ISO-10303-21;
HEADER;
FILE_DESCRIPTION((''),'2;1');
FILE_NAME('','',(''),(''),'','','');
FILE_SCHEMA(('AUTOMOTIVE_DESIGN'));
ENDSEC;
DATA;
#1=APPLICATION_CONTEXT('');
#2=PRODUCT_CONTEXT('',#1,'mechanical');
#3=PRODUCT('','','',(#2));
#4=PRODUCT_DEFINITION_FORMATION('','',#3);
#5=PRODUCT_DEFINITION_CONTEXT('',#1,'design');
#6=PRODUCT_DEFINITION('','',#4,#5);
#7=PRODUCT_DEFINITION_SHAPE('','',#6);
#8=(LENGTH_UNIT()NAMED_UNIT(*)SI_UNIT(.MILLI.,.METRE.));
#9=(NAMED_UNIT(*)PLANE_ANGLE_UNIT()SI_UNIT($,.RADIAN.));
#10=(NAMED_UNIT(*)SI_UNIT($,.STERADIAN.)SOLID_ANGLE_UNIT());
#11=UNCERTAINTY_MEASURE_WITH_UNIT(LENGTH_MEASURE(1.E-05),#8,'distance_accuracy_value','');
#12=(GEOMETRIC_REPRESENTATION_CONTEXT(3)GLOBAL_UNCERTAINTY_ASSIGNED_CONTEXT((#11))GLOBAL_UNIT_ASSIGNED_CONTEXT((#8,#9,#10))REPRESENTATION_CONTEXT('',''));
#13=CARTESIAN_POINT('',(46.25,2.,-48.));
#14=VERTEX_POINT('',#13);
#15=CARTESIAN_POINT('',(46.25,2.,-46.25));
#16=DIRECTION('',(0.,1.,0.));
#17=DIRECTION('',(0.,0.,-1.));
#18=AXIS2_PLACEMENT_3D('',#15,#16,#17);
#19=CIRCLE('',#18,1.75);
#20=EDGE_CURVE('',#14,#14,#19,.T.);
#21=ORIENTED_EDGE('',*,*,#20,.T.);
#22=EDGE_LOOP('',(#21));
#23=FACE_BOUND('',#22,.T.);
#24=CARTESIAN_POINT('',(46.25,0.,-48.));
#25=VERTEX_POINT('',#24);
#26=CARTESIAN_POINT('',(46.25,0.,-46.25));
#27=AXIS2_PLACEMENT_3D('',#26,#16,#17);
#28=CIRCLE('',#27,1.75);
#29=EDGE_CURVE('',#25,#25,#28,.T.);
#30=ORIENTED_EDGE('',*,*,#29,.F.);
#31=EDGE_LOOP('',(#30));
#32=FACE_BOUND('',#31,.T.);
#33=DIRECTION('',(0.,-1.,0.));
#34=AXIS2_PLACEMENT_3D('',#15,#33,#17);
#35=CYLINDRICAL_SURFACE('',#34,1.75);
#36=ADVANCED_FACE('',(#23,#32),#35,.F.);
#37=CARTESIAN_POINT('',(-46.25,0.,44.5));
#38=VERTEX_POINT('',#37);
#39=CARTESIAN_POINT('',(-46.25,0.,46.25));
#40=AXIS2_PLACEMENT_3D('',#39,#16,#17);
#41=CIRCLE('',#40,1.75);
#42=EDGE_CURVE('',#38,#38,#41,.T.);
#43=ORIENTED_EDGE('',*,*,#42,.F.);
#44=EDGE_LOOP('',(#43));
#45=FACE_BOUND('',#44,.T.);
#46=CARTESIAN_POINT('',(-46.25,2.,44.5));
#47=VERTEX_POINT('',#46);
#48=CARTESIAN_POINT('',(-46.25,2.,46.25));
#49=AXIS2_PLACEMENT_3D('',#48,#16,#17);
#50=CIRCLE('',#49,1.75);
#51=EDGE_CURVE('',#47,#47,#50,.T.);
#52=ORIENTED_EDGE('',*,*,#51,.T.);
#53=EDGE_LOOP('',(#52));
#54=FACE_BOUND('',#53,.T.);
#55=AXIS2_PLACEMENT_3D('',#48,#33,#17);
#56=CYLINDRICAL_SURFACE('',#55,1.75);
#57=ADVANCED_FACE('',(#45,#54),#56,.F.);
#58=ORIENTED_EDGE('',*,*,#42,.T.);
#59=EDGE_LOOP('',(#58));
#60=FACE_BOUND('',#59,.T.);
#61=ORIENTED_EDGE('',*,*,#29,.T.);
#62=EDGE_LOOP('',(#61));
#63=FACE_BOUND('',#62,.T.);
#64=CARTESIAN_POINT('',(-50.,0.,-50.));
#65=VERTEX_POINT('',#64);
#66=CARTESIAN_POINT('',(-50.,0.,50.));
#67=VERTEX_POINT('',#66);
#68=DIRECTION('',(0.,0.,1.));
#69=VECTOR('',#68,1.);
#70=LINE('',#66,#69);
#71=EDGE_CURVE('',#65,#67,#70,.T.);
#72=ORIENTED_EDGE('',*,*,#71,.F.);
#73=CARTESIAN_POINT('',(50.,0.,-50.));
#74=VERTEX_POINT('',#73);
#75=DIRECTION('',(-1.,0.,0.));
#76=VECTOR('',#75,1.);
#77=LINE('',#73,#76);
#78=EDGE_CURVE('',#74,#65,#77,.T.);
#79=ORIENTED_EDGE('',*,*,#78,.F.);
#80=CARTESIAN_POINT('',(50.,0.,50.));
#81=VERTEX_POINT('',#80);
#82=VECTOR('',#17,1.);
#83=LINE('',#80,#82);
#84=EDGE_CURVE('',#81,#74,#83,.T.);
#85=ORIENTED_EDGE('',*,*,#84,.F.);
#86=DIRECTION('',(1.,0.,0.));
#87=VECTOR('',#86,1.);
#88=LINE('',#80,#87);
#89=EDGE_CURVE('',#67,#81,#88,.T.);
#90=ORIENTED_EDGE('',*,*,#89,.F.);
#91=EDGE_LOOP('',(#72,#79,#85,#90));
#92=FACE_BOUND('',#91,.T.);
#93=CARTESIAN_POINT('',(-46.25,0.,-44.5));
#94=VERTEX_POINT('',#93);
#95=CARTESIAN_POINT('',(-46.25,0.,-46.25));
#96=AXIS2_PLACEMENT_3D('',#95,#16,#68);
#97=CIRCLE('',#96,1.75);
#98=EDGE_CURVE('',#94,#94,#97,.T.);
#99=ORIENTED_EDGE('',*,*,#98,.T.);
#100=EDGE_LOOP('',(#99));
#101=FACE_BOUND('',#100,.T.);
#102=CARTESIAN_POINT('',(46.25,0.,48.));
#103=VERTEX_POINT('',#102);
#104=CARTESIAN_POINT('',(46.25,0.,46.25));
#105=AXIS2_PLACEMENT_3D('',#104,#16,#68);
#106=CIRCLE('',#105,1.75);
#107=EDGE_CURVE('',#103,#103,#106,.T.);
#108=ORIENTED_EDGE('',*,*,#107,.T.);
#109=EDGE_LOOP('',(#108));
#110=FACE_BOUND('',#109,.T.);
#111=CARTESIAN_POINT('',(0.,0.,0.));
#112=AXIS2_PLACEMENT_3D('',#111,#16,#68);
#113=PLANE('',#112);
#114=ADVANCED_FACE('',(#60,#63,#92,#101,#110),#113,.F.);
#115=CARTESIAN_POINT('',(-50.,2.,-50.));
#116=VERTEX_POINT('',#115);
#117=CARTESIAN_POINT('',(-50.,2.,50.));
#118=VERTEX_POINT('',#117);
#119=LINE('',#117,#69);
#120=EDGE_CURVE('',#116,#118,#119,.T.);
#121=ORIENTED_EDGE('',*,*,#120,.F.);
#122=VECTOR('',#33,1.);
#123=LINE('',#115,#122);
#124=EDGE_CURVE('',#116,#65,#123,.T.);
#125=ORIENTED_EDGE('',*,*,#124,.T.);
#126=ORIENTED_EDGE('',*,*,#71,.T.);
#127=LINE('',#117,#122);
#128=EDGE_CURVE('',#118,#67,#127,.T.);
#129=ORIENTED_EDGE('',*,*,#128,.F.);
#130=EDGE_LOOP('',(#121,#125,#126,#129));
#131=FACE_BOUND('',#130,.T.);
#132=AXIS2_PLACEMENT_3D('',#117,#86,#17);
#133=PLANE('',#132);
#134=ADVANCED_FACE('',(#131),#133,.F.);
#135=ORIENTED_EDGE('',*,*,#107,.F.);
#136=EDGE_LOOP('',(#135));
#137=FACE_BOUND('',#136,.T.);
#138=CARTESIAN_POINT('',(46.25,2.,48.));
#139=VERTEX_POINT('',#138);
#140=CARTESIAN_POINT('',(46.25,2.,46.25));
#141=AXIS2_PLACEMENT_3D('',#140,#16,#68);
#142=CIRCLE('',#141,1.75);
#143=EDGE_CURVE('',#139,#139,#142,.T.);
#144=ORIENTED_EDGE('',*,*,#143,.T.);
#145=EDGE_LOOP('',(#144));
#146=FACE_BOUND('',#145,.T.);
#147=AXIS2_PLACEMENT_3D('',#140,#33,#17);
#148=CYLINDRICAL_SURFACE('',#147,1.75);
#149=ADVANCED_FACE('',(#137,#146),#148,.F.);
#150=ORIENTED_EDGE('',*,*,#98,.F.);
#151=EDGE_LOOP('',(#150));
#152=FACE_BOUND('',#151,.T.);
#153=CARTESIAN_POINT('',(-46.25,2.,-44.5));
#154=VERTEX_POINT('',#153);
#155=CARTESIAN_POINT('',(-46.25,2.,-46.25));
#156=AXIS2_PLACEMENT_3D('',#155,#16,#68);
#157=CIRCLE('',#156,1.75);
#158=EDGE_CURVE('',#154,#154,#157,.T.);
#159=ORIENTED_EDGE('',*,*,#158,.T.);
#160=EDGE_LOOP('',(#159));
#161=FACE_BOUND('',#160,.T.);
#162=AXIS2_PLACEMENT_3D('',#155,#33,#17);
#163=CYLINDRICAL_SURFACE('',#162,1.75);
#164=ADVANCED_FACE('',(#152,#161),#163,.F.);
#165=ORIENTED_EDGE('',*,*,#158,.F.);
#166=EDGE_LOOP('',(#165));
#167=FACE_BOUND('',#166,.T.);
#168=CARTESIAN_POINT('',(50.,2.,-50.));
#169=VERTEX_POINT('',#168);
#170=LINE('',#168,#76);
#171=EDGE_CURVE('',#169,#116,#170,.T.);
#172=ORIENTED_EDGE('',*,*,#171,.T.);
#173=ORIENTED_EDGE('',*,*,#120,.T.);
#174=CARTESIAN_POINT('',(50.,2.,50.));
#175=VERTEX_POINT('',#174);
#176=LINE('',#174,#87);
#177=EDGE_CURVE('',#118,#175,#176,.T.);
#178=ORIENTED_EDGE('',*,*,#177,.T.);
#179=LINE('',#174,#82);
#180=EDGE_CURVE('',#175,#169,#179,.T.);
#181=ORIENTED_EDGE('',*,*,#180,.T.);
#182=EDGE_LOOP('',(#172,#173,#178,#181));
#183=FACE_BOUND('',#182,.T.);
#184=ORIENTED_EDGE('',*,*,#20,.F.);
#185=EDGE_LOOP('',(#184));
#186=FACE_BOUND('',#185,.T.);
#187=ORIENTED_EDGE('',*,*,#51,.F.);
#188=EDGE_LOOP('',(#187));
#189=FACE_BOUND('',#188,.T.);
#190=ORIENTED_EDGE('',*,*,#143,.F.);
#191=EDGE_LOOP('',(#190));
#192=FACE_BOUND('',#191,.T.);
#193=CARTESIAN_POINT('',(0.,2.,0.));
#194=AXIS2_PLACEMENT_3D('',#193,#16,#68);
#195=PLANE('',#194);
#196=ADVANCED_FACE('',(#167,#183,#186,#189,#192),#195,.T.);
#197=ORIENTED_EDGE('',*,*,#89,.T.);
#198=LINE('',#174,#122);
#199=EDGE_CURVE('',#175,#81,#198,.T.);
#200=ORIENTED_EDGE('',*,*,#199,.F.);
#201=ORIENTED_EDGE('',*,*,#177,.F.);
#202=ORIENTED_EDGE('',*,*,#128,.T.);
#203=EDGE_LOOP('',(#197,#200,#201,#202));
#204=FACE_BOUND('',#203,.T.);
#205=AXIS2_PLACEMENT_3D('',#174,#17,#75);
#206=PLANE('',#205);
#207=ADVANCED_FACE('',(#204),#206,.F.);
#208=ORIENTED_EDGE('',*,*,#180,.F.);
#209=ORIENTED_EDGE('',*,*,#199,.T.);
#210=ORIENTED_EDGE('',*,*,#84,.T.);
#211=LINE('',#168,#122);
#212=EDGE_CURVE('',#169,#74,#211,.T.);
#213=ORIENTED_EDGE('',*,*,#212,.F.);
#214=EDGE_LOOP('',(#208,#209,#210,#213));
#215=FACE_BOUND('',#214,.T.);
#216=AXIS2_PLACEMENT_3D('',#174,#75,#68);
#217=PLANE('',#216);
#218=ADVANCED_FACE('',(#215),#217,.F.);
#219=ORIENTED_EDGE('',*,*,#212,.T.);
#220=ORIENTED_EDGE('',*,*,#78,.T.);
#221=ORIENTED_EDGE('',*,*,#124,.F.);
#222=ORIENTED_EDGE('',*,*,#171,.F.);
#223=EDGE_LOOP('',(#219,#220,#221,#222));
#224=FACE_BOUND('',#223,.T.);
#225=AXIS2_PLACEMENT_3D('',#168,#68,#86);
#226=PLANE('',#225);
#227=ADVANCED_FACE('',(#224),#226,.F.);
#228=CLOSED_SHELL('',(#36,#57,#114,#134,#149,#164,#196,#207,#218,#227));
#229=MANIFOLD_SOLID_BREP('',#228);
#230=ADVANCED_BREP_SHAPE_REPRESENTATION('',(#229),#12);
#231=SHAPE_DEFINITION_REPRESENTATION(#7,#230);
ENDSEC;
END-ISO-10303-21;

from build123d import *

# Parameters (mm, degrees)
SKETCH_2_W      = 100
SKETCH_2_H      = 100
SKETCH_2_R      = 1.75
EXTRUDE_1_DEPTH = 2


with BuildPart() as part:
    # 스케치2 → 보스-돌출1 (new body)
    with BuildSketch(Plane(origin=(0, 0, 0), x_dir=(1, 0, 0), z_dir=(0, 1, 0))):
        Rectangle(SKETCH_2_W, SKETCH_2_H)
        with Locations(Location((-46.25, 46.25, 0), (0, 0, 270))):
            Circle(SKETCH_2_R, mode=Mode.SUBTRACT)
        with Locations(Location((46.25, 46.25, 0), (0, 0, 90))):
            Circle(SKETCH_2_R, mode=Mode.SUBTRACT)
        with Locations(Location((46.25, -46.25, 0), (0, 0, 270))):
            Circle(SKETCH_2_R, mode=Mode.SUBTRACT)
        with Locations(Location((-46.25, -46.25, 0), (0, 0, 90))):
            Circle(SKETCH_2_R, mode=Mode.SUBTRACT)
    extrude(amount=EXTRUDE_1_DEPTH)


solid = part.part
